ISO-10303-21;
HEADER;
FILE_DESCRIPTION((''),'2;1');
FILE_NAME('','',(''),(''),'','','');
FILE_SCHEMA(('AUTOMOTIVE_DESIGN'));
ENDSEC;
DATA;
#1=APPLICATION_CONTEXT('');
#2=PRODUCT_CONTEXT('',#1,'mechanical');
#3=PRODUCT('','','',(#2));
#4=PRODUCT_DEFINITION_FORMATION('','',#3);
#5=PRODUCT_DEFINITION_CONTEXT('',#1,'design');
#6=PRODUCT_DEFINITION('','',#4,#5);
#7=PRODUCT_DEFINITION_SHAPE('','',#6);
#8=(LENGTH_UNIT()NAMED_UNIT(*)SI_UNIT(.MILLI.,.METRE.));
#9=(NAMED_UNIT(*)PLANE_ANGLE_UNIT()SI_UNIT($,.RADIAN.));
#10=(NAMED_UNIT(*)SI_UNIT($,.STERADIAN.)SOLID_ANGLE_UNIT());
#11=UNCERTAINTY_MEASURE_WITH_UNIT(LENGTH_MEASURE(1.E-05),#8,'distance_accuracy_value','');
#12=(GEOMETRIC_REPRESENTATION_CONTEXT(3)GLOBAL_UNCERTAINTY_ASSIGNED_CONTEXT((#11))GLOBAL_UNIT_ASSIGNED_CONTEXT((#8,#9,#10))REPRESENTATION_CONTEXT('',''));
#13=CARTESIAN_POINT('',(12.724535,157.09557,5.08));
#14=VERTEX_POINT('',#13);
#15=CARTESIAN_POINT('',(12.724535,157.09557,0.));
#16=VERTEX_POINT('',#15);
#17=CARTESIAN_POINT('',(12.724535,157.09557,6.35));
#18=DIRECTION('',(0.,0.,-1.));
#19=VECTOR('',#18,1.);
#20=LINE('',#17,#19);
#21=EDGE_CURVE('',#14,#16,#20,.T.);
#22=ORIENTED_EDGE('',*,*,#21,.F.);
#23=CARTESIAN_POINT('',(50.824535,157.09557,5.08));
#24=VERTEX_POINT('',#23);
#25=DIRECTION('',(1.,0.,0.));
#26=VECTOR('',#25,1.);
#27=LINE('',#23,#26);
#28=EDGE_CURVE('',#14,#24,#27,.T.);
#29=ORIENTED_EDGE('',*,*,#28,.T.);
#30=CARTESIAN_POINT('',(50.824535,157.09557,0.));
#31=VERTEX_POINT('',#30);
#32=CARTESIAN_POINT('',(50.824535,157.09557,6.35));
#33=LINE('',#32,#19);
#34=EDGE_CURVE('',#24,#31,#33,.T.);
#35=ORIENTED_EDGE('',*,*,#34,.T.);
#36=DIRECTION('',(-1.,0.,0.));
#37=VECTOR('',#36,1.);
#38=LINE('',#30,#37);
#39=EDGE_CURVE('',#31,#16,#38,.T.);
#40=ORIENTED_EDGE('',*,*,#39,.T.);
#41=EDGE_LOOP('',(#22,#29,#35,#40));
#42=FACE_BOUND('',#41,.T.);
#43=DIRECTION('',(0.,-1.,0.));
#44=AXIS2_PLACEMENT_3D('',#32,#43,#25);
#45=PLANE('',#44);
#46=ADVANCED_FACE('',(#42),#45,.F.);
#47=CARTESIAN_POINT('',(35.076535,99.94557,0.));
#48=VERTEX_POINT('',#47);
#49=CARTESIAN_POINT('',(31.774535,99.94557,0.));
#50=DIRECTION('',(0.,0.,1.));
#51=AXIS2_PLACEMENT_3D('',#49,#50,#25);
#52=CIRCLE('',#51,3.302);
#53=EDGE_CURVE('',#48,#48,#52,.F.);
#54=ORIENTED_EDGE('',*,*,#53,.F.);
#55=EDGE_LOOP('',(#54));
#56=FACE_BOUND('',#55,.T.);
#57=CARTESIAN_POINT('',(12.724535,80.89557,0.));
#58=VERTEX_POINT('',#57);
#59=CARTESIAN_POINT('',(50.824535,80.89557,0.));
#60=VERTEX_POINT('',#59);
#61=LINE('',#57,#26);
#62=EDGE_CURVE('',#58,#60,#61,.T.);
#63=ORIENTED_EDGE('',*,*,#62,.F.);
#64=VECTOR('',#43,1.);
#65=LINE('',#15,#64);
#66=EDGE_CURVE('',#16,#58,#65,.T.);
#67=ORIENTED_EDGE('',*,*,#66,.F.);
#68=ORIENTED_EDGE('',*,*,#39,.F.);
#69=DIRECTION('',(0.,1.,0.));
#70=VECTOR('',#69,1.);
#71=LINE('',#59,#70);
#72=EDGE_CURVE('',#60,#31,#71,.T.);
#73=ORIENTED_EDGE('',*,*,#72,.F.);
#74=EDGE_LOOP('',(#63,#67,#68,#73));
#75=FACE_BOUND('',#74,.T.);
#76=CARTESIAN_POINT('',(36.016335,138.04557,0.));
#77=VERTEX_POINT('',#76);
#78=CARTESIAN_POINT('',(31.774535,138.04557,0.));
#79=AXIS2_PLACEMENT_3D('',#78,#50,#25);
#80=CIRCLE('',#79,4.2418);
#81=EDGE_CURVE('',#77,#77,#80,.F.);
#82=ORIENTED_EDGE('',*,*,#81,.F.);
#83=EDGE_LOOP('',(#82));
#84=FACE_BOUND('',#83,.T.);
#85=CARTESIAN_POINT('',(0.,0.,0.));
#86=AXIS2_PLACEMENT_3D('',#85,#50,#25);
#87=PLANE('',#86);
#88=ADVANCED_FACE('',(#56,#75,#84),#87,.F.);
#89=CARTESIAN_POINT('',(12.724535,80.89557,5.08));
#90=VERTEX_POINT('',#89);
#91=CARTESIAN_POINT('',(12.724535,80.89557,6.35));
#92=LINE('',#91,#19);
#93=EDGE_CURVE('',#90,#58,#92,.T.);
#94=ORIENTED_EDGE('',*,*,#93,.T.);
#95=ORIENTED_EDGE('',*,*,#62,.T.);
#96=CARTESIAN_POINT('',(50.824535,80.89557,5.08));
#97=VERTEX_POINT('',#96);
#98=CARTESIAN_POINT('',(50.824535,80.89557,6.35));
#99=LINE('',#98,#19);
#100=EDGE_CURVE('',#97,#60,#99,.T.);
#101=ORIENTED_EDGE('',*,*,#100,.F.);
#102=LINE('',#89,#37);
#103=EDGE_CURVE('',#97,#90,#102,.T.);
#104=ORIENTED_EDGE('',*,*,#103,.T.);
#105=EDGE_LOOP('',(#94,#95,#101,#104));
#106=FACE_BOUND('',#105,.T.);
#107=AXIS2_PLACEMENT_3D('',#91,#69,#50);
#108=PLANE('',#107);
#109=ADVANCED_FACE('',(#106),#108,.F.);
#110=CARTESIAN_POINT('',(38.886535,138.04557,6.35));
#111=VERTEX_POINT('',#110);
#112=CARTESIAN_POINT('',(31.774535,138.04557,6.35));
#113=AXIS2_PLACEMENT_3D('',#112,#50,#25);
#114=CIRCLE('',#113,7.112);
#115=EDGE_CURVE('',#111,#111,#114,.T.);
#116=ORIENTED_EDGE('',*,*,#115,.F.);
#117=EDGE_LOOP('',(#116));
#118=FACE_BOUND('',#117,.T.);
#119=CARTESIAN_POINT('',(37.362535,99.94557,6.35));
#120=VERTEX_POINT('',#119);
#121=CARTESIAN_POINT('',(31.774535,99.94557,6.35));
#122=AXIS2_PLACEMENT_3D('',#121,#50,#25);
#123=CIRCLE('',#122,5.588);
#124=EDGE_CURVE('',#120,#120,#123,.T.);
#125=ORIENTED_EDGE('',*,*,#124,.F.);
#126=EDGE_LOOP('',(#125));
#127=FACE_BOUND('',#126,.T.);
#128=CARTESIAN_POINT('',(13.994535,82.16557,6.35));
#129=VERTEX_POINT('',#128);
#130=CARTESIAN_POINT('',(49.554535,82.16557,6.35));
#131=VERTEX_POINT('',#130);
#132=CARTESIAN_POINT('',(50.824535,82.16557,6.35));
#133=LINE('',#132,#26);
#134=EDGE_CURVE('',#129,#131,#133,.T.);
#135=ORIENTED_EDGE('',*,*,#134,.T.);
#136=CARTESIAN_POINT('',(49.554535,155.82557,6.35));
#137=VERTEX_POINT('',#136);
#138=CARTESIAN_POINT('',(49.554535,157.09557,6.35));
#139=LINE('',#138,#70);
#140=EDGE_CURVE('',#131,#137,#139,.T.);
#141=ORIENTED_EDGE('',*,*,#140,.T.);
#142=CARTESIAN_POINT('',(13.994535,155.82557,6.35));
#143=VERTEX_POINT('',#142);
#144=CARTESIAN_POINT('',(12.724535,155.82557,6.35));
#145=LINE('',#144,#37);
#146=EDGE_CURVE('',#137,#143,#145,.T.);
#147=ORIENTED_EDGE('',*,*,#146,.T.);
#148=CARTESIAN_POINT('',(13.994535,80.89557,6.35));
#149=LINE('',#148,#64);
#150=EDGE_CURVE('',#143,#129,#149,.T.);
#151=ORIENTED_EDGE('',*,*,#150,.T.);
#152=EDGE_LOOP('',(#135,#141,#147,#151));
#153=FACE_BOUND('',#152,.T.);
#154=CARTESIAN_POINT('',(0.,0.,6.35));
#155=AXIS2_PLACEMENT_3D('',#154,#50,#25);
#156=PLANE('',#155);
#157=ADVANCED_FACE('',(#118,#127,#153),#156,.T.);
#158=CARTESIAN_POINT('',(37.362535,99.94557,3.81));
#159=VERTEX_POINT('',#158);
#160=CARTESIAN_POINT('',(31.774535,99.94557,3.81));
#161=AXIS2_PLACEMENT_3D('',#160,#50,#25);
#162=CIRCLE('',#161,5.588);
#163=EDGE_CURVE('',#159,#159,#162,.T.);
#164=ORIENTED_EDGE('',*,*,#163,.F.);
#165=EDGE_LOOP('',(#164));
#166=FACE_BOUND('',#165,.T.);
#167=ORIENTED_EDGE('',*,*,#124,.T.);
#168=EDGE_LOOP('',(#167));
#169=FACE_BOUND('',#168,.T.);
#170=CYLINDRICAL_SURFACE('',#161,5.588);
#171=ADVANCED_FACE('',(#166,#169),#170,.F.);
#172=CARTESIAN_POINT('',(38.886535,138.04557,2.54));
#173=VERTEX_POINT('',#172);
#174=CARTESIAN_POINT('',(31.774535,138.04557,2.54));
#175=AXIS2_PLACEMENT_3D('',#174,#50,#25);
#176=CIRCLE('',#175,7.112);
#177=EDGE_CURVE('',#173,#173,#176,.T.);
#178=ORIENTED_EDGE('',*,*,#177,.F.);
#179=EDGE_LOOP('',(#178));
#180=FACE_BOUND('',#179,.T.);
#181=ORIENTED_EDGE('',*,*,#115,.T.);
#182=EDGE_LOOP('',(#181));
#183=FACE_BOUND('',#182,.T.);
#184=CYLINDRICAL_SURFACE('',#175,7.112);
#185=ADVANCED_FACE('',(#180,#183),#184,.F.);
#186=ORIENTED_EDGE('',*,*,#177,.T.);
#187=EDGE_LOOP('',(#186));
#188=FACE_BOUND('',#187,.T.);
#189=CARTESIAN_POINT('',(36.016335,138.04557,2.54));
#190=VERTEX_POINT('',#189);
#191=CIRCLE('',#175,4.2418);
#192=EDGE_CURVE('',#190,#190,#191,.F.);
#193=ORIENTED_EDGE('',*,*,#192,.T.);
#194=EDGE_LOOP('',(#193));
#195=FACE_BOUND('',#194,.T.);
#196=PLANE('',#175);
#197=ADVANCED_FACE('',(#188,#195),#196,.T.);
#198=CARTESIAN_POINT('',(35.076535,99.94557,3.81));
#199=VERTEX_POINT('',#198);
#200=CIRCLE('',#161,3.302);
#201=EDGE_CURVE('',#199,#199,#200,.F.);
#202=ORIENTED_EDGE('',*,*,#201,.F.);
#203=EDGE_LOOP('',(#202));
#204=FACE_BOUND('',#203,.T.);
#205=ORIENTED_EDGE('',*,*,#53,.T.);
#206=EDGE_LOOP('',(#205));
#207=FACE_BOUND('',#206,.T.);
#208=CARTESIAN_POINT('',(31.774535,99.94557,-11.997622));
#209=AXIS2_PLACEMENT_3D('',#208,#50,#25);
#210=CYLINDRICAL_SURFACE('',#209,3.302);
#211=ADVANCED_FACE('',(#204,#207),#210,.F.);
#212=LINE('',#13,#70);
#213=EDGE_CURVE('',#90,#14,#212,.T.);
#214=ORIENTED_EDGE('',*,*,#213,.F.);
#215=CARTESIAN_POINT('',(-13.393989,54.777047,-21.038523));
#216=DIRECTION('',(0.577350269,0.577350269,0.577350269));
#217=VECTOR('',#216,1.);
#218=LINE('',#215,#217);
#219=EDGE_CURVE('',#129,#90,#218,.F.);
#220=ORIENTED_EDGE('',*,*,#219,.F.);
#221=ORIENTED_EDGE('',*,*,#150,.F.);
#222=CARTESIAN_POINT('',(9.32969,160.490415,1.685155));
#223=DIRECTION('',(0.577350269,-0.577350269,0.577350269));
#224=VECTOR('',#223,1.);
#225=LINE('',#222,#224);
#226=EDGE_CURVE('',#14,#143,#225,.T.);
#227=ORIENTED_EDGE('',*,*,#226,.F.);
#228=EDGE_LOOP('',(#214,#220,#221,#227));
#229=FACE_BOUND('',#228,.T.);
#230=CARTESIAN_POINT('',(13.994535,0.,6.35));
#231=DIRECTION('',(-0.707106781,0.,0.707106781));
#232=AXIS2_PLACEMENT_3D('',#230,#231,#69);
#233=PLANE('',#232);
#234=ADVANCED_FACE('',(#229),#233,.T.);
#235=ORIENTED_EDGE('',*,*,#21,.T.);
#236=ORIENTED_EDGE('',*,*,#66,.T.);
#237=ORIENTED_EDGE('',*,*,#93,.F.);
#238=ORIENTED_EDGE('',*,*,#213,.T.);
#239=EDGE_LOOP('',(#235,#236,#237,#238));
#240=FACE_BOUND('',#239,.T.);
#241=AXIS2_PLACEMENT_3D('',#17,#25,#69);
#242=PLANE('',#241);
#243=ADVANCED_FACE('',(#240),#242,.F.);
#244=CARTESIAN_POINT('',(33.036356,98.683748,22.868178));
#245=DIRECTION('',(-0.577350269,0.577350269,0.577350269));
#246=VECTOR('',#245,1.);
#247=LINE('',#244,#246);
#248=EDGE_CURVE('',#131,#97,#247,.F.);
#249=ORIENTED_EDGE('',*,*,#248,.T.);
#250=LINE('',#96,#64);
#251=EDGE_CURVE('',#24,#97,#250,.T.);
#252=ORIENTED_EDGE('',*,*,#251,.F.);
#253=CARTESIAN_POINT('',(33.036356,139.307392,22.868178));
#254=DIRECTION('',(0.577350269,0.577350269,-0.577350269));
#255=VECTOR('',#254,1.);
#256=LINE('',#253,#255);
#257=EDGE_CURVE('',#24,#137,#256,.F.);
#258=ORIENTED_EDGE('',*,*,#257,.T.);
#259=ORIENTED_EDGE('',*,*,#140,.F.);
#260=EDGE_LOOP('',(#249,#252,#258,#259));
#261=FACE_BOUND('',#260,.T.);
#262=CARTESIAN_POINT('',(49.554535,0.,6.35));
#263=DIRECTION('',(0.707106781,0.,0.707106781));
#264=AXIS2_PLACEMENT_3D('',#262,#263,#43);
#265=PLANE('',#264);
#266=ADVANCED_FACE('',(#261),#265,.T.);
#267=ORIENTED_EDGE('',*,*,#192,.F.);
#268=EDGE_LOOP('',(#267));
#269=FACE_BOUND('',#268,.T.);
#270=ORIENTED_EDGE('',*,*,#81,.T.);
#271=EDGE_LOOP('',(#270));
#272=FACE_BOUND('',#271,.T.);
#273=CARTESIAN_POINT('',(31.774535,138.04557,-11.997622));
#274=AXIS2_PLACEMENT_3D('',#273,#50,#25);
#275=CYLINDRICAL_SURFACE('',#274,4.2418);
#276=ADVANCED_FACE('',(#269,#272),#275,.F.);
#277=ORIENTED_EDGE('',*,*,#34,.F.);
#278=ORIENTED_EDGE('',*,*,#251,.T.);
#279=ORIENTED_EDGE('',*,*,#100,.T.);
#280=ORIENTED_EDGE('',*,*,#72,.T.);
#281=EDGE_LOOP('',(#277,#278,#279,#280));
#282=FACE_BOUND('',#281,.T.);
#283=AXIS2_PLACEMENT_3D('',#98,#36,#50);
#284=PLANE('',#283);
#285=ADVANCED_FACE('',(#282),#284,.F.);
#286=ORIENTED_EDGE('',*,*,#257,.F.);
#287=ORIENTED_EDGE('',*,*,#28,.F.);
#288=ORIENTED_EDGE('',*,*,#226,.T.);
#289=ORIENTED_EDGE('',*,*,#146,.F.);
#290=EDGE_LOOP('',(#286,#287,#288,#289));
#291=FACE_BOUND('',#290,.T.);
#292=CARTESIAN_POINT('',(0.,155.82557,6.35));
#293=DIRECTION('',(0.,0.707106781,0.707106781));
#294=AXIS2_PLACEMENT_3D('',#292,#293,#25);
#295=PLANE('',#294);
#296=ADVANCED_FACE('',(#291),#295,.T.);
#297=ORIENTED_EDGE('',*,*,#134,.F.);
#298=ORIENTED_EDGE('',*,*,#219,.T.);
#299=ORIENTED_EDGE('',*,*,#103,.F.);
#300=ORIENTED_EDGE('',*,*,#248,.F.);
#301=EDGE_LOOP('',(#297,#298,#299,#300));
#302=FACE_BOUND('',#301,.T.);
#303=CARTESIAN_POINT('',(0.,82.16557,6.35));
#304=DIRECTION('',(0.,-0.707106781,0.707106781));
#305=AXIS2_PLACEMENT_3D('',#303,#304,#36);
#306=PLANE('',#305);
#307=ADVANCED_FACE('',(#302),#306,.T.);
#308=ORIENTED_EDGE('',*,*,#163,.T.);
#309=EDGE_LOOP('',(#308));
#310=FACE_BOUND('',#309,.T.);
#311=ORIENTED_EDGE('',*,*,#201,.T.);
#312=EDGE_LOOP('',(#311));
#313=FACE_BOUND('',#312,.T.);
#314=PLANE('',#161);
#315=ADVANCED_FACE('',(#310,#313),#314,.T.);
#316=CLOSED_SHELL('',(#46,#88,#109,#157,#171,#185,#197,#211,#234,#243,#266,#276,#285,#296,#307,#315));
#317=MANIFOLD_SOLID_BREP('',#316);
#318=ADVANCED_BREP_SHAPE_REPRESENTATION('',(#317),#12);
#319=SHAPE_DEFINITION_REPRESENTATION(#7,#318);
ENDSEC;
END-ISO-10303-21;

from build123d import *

# Parameters (mm, degrees)
SKETCH1_W           = 38.1
SKETCH1_H           = 76.2
BOSS_EXTRUDE1_DEPTH = 6.35
SKETCH2_R           = 4.2418
SKETCH2_R_2         = 3.302
CUT_EXTRUDE1_DEPTH  = 6.35
CHAMFER1_SIZE       = 1.27
SKETCH4_R           = 5.588
CUT_EXTRUDE2_DEPTH  = 2.54
SKETCH3_R           = 7.112
CUT_EXTRUDE3_DEPTH  = 3.81


with BuildPart() as part:
    # Sketch1 → Boss-Extrude1 (new body)
    with BuildSketch(Plane.XY):
        with Locations((31.774534541, 118.99557006)):
            Rectangle(SKETCH1_W, SKETCH1_H)
    extrude(amount=BOSS_EXTRUDE1_DEPTH)

    # Sketch2 → Cut-Extrude1 (cut)
    with BuildSketch(Plane.XY.offset(6.35)):
        with Locations((31.774534541, 138.04557006)):
            Circle(SKETCH2_R)
        with Locations((31.774534541, 99.94557006)):
            Circle(SKETCH2_R_2)
    extrude(amount=-CUT_EXTRUDE1_DEPTH, mode=Mode.SUBTRACT)

    # Chamfer1
    chamfer1_edges = [part.edges().sort_by_distance(p)[0] for p in [
        (50.824534541, 118.99557006, 6.35),
        (31.774534541, 157.09557006, 6.35),
        (12.724534541, 118.99557006, 6.35),
        (31.774534541, 80.89557006, 6.35),
    ]]
    chamfer(chamfer1_edges, length=CHAMFER1_SIZE)

    # Sketch4 → Cut-Extrude2 (cut)
    with BuildSketch(Plane.XY.offset(6.35)):
        with Locations((31.774534541, 99.94557006)):
            Circle(SKETCH4_R)
    extrude(amount=-CUT_EXTRUDE2_DEPTH, mode=Mode.SUBTRACT)

    # Sketch3 → Cut-Extrude3 (cut)
    with BuildSketch(Plane.XY.offset(6.35)):
        with Locations((31.774534541, 138.04557006)):
            Circle(SKETCH3_R)
    extrude(amount=-CUT_EXTRUDE3_DEPTH, mode=Mode.SUBTRACT)


solid = part.part
